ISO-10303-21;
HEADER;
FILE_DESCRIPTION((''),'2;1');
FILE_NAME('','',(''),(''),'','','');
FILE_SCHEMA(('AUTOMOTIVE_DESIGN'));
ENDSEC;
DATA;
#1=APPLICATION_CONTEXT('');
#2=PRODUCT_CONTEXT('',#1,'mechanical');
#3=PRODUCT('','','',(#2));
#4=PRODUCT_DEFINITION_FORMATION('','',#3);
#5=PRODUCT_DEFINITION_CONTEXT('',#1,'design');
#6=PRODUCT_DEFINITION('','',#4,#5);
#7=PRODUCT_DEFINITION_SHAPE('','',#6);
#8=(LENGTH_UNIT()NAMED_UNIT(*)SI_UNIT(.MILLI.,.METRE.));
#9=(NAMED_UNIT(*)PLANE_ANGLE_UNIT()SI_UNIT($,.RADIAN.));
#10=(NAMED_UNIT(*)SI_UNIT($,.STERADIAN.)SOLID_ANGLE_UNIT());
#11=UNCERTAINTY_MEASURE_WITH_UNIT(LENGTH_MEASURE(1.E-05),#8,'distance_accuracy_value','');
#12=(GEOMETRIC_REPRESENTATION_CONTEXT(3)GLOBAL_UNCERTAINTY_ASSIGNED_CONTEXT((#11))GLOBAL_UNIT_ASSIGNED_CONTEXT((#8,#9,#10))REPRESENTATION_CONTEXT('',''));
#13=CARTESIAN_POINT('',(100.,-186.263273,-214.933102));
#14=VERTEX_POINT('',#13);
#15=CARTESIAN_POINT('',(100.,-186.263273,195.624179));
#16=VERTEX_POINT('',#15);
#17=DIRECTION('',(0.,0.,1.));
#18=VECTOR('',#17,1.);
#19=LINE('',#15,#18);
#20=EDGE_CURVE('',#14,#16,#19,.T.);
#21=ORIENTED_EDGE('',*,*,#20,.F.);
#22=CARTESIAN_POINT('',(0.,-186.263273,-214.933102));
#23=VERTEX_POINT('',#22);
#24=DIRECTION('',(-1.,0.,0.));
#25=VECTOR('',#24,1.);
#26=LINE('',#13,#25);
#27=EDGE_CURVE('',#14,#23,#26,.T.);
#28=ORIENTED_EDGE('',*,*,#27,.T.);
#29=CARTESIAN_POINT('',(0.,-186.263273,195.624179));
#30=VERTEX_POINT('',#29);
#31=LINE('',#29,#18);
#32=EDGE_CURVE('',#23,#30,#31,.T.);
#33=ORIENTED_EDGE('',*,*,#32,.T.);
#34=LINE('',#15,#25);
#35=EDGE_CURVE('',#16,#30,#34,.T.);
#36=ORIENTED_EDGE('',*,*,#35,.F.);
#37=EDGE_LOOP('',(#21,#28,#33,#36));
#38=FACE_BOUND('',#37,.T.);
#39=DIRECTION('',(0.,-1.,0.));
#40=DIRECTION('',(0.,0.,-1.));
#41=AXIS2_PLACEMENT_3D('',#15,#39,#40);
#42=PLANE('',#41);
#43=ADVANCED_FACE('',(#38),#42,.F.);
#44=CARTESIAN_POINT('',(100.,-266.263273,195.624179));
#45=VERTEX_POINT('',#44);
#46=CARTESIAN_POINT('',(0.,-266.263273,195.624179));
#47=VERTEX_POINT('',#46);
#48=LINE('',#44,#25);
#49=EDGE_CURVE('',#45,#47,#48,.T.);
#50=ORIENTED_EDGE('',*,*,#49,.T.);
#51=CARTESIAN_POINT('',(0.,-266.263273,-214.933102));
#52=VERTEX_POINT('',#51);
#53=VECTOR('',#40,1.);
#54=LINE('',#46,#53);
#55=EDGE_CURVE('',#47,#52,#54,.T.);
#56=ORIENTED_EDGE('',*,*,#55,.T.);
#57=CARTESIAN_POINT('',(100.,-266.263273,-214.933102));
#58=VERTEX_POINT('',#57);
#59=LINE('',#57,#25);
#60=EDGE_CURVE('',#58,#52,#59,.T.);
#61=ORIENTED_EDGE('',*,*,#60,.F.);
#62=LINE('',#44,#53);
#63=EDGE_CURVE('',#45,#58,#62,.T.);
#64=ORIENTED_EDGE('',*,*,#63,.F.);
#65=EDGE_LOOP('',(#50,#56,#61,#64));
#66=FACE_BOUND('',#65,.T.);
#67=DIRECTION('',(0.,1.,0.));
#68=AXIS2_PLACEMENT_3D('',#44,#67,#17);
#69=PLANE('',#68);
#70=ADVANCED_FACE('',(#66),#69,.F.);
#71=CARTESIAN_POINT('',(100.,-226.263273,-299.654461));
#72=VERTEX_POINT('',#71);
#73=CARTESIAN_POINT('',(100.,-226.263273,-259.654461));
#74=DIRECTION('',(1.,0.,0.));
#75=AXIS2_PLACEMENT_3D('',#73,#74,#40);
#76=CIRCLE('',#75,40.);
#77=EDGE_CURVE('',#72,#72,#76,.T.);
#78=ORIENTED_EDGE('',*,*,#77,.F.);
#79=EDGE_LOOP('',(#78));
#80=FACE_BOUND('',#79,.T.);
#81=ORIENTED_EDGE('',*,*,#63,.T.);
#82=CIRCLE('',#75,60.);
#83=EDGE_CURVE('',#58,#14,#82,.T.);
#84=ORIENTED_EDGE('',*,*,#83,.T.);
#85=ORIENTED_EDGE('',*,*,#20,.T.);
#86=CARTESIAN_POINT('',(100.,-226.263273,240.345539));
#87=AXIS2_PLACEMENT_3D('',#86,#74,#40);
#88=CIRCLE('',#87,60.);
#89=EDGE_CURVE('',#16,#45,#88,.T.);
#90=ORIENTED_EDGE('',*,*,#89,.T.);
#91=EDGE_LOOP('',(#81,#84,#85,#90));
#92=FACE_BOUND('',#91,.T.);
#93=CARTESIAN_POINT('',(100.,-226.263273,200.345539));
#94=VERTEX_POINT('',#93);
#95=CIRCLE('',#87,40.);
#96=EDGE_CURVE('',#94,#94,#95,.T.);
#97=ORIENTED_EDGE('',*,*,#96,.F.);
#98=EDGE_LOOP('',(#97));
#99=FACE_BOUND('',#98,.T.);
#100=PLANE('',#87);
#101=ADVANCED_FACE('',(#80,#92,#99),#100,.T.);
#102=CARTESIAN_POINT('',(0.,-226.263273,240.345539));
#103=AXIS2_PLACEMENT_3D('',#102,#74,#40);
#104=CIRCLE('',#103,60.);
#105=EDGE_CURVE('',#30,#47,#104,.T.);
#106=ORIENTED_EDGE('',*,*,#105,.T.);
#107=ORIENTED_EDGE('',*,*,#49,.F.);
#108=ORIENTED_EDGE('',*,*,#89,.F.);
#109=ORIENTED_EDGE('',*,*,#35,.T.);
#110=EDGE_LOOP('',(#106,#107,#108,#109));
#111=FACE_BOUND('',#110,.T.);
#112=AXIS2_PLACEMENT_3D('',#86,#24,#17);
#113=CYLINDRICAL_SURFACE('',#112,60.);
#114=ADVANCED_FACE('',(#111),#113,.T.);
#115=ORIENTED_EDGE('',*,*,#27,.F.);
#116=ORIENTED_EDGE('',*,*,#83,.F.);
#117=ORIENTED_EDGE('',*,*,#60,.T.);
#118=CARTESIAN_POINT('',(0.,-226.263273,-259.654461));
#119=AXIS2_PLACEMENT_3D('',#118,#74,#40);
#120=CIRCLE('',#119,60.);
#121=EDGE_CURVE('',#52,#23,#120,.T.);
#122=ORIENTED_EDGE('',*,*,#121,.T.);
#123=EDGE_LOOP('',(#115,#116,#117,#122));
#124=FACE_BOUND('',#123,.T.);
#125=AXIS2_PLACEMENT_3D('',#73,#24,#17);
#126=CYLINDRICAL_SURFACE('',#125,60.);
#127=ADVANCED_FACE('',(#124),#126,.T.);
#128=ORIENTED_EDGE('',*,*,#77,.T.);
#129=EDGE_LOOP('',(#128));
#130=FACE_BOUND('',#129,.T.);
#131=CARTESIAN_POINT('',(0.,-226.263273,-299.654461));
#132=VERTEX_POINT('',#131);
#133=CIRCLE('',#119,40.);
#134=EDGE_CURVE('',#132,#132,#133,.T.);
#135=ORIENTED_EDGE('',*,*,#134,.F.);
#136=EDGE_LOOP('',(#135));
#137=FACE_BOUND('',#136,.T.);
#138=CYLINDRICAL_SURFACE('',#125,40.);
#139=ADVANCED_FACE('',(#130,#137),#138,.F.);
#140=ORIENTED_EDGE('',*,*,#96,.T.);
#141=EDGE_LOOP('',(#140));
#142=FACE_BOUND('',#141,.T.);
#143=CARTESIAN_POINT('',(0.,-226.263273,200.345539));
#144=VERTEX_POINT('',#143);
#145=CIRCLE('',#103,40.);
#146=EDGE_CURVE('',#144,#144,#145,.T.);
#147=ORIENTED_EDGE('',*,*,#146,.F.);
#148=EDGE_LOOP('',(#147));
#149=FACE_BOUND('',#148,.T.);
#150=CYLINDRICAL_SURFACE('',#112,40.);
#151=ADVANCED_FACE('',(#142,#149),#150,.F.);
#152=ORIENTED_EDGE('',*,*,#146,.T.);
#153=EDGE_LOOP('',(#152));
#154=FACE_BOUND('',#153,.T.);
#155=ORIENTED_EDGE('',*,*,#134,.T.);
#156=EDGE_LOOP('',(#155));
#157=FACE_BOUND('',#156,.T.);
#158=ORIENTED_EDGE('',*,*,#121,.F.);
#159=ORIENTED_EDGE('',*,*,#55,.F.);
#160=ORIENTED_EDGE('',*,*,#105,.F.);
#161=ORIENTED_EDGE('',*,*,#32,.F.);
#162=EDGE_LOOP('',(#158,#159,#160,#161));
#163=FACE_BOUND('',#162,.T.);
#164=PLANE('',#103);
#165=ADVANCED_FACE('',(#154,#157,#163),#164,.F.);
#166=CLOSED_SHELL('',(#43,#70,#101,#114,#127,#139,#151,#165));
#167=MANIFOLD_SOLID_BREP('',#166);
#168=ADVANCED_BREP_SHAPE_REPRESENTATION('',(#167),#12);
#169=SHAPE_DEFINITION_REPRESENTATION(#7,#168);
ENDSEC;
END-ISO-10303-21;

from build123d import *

# Parameters (mm, degrees)
LINKFRAME_R         = 40
BOSS_EXTRUDE1_DEPTH = 100


with BuildPart() as part:
    # LinkFrame → Boss-Extrude1 (new body)
    with BuildSketch(Plane(origin=(0, 0, 0), x_dir=(0, 0, -1), z_dir=(1, 0, 0))):
        with BuildLine():
            Line((-195.62417903, -186.263273145), (214.93310187, -186.263273145))
            ThreePointArc((214.93310187, -186.263273145), (319.65446142, -226.263273145), (214.93310187, -266.263273145))
            Line((214.93310187, -266.263273145), (-195.62417903, -266.263273145))
            ThreePointArc((-195.62417903, -266.263273145), (-300.34553858, -226.263273145), (-195.62417903, -186.263273145))
        make_face()
        with Locations((-240.34553858, -226.263273145)):
            Circle(LINKFRAME_R, mode=Mode.SUBTRACT)
        with Locations((259.65446142, -226.263273145)):
            Circle(LINKFRAME_R, mode=Mode.SUBTRACT)
    extrude(amount=BOSS_EXTRUDE1_DEPTH)


solid = part.part
